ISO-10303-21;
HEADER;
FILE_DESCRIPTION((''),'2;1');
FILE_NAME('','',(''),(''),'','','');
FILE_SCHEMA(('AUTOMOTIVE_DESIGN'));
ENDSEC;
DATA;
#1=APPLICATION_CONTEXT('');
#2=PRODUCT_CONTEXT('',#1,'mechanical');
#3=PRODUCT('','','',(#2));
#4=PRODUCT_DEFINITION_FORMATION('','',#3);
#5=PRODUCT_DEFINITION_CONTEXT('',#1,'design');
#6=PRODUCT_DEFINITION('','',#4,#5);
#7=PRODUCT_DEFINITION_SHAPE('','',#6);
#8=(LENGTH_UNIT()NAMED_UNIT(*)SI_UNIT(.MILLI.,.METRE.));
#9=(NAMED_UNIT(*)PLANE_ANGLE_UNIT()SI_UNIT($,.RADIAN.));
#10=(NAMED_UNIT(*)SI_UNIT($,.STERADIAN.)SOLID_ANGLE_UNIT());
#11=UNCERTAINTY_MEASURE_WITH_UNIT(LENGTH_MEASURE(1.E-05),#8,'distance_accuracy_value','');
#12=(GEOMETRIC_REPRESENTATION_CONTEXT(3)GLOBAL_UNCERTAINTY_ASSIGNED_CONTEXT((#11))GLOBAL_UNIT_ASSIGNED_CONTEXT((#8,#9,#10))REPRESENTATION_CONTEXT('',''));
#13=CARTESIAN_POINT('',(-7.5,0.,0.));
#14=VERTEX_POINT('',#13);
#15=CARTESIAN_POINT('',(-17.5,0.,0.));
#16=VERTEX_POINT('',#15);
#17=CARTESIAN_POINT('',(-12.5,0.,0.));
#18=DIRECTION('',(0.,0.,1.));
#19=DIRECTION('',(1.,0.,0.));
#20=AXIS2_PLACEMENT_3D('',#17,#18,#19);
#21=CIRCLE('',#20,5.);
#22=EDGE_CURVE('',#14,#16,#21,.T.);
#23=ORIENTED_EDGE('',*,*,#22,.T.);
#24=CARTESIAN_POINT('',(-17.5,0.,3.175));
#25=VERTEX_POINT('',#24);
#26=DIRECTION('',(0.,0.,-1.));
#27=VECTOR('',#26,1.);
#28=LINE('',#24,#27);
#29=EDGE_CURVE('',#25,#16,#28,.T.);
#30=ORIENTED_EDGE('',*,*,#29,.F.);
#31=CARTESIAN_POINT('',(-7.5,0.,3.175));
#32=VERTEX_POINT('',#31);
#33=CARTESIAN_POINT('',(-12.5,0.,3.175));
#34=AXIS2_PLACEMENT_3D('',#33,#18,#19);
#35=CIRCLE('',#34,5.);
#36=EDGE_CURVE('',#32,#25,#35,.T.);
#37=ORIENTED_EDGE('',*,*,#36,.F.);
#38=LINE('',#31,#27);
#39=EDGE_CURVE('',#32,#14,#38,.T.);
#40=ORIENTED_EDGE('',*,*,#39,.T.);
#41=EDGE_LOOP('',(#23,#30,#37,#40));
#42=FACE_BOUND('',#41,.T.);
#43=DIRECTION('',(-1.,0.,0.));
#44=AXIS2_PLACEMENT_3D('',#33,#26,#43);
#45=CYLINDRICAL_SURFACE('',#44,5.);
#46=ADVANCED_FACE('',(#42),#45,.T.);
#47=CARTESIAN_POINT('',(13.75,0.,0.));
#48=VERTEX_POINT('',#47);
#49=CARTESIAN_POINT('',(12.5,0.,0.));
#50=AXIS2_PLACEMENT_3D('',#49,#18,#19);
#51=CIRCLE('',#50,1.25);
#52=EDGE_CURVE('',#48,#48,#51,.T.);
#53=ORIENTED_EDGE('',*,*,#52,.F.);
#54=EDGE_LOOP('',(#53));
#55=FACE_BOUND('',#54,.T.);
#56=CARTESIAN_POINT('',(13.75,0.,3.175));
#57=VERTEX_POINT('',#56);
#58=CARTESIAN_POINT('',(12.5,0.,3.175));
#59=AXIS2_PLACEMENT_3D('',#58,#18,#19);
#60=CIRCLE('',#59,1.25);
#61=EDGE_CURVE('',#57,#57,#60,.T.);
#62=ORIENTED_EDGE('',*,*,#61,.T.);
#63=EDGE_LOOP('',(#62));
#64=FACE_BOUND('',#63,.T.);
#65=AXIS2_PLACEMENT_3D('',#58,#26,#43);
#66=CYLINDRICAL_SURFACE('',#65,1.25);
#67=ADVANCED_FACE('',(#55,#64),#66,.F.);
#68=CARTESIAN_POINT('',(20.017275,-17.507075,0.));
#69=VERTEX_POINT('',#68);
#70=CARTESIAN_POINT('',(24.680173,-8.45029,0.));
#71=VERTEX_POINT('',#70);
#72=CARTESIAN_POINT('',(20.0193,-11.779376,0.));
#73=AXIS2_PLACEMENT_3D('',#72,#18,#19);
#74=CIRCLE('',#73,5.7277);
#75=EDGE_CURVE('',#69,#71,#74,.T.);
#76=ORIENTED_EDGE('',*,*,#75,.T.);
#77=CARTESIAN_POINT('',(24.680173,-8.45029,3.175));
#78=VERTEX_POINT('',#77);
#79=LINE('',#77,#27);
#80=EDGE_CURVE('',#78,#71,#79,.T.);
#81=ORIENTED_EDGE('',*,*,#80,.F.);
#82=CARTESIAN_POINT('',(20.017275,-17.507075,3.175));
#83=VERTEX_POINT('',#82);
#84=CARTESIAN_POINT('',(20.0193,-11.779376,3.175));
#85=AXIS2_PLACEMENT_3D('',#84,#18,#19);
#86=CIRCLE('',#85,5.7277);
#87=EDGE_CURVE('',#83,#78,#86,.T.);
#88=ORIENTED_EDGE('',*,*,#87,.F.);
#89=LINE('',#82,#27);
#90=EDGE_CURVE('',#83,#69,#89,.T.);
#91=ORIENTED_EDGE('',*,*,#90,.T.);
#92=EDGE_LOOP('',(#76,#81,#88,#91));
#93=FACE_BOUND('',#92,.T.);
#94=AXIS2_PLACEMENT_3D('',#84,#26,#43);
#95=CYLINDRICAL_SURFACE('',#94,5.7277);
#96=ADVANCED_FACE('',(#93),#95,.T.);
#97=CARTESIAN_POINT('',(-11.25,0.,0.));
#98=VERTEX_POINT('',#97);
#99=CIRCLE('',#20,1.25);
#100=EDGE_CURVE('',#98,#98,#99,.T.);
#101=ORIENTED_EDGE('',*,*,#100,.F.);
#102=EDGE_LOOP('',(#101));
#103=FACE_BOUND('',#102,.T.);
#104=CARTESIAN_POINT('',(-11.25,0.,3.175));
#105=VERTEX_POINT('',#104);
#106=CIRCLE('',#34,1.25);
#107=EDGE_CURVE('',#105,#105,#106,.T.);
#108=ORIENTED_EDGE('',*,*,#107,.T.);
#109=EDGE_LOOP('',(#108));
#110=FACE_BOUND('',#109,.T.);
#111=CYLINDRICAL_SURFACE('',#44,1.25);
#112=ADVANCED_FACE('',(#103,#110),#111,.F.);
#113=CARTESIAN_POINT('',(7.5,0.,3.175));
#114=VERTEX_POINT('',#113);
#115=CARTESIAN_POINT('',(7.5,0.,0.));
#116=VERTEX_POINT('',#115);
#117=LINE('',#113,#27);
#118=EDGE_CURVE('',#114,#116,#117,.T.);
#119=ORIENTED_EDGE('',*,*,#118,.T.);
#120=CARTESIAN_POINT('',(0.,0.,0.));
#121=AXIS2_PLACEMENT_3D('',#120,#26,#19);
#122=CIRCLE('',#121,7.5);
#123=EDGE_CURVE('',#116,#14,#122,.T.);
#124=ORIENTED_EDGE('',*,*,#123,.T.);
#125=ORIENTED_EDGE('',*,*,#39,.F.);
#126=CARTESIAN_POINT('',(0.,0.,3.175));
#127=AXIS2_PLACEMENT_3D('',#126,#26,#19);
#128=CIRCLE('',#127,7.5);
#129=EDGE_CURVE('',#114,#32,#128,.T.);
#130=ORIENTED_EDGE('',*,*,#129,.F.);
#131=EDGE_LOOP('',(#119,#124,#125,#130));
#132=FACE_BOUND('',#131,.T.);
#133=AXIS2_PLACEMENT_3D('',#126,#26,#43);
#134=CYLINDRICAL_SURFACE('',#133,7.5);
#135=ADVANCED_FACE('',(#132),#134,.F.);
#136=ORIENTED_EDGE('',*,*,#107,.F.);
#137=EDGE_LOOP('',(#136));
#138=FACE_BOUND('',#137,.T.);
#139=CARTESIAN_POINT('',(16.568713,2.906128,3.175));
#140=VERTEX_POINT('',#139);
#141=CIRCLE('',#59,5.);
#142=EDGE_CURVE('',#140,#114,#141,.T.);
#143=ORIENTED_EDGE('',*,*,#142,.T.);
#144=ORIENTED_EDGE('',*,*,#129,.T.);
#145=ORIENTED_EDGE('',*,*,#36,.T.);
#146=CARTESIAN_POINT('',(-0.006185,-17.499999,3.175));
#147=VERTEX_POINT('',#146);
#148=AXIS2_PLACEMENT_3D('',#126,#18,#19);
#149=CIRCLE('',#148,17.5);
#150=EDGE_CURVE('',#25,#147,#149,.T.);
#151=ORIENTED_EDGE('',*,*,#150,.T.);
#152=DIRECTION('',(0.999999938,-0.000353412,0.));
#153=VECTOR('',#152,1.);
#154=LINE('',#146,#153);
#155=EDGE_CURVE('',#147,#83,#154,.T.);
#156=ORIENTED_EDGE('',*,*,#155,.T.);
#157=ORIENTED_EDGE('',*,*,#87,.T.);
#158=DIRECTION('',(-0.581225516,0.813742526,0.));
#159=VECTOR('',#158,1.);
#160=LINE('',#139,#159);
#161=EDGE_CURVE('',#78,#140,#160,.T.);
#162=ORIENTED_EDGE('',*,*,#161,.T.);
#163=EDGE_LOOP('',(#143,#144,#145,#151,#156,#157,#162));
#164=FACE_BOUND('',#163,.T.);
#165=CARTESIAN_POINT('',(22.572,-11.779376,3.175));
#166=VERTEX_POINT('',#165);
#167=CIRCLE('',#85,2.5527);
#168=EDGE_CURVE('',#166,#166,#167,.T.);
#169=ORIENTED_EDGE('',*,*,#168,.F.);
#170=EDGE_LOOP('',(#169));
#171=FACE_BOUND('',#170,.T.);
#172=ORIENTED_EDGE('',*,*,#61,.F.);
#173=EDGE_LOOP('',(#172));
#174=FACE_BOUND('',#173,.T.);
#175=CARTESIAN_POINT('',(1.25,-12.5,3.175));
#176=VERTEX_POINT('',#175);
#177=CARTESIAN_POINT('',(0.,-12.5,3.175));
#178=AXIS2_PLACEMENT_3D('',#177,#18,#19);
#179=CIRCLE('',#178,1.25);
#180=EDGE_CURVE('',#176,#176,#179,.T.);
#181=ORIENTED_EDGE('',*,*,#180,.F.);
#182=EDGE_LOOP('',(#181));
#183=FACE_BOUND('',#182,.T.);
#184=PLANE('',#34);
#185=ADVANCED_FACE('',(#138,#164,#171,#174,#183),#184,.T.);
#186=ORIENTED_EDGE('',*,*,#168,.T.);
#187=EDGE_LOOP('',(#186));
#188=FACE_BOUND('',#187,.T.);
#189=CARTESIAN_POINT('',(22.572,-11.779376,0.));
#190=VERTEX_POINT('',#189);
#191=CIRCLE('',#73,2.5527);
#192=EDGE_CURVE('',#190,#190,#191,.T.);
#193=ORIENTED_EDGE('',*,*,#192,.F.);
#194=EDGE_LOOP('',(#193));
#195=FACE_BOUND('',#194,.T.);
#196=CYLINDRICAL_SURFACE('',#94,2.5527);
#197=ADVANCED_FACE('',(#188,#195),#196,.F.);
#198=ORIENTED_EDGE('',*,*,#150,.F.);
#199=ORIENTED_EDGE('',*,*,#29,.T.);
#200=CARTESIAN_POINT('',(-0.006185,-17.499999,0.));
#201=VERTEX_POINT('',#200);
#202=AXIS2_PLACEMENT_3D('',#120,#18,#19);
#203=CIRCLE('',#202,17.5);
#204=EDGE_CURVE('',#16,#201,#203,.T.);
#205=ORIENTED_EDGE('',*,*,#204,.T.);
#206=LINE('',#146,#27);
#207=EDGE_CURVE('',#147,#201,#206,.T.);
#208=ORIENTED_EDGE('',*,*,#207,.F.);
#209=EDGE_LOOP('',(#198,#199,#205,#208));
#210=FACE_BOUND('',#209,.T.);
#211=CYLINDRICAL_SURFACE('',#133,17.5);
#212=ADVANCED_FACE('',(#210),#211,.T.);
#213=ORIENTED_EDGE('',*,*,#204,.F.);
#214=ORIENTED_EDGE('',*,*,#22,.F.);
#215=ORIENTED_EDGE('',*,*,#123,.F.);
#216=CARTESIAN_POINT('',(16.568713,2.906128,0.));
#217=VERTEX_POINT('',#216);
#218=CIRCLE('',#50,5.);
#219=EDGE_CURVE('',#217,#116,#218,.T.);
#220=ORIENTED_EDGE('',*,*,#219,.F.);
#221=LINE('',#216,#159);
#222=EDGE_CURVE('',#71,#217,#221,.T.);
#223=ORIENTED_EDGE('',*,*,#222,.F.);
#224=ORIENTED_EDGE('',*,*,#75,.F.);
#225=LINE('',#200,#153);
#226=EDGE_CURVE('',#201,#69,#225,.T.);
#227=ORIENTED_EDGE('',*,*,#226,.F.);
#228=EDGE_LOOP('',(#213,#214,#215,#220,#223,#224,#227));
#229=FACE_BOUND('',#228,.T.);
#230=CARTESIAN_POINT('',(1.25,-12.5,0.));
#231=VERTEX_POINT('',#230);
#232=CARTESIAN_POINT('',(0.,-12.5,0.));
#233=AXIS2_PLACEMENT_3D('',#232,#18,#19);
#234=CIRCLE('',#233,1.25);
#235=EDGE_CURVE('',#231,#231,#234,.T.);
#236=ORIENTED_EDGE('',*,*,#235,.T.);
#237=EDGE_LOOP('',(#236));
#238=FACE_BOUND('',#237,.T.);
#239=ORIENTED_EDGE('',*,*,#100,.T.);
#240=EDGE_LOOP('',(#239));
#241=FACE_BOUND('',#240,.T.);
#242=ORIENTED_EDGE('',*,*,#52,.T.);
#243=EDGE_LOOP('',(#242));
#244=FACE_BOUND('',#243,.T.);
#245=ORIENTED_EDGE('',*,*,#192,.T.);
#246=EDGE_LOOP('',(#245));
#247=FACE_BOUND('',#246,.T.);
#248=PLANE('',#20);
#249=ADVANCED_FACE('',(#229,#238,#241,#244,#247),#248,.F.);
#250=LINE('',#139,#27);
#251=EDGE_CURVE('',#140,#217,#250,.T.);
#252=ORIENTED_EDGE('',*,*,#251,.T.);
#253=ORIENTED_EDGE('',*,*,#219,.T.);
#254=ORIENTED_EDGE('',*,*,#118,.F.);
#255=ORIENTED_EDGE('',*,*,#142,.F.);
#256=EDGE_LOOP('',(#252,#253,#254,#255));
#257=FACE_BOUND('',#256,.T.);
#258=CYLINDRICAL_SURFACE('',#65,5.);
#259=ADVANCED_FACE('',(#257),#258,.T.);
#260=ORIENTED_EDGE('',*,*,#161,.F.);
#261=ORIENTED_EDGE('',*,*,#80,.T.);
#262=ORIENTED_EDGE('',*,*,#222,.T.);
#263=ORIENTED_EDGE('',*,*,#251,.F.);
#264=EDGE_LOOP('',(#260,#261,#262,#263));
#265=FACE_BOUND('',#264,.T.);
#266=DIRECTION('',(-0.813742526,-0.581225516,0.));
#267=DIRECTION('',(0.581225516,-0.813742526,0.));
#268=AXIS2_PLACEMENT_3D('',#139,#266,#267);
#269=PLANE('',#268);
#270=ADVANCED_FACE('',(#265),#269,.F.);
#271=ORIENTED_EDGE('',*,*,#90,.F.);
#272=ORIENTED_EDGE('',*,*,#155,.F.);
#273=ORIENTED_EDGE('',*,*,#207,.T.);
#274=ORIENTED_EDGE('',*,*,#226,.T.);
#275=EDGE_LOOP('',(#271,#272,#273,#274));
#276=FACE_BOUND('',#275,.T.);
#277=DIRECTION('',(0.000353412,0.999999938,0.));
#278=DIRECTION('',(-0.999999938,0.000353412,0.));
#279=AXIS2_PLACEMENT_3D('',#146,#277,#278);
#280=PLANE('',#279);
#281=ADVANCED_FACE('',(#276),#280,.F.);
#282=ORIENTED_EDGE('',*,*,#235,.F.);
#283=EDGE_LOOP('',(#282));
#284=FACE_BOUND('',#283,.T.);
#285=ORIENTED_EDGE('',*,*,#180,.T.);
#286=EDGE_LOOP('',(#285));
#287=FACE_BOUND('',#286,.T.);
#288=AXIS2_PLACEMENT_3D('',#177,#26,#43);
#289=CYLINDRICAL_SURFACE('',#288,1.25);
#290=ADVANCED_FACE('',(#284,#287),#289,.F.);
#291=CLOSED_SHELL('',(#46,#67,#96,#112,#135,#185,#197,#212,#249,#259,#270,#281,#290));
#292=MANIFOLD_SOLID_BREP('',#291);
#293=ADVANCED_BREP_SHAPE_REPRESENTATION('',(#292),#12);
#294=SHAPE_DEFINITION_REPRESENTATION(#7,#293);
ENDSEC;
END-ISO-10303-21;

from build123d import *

# Parameters (mm, degrees)
SKETCH1_R           = 1.25
SKETCH1_R_2         = 2.5527
BOSS_EXTRUDE1_DEPTH = 3.175


with BuildPart() as part:
    # Sketch1 → Boss-Extrude1 (new body)
    with BuildSketch(Plane.XY):
        with BuildLine():
            Line((16.568712632, 2.906127581), (24.680172581, -8.450290414))
            ThreePointArc((24.680172581, -8.450290414), (25.11170139, -14.401205395), (20.017275273, -17.507075445))
            Line((20.017275273, -17.507075445), (-0.006184716, -17.499998907))
            ThreePointArc((-0.006184716, -17.499998907), (-12.376555105, -12.37218185), (-17.5, 0))
            ThreePointArc((-17.5, 0), (-12.5, 5), (-7.5, 0))
            ThreePointArc((-7.5, 0), (0, -7.5), (7.5, 0))
            ThreePointArc((7.5, 0), (10.974149935, 4.761489429), (16.568712632, 2.906127581))
        make_face()
        with Locations((12.5, 0)):
            Circle(SKETCH1_R, mode=Mode.SUBTRACT)
        with Locations((0, -12.5)):
            Circle(SKETCH1_R, mode=Mode.SUBTRACT)
        with Locations((-12.5, 0)):
            Circle(SKETCH1_R, mode=Mode.SUBTRACT)
        with Locations((20.019299513, -11.779375803)):
            Circle(SKETCH1_R_2, mode=Mode.SUBTRACT)
    extrude(amount=BOSS_EXTRUDE1_DEPTH)


solid = part.part
